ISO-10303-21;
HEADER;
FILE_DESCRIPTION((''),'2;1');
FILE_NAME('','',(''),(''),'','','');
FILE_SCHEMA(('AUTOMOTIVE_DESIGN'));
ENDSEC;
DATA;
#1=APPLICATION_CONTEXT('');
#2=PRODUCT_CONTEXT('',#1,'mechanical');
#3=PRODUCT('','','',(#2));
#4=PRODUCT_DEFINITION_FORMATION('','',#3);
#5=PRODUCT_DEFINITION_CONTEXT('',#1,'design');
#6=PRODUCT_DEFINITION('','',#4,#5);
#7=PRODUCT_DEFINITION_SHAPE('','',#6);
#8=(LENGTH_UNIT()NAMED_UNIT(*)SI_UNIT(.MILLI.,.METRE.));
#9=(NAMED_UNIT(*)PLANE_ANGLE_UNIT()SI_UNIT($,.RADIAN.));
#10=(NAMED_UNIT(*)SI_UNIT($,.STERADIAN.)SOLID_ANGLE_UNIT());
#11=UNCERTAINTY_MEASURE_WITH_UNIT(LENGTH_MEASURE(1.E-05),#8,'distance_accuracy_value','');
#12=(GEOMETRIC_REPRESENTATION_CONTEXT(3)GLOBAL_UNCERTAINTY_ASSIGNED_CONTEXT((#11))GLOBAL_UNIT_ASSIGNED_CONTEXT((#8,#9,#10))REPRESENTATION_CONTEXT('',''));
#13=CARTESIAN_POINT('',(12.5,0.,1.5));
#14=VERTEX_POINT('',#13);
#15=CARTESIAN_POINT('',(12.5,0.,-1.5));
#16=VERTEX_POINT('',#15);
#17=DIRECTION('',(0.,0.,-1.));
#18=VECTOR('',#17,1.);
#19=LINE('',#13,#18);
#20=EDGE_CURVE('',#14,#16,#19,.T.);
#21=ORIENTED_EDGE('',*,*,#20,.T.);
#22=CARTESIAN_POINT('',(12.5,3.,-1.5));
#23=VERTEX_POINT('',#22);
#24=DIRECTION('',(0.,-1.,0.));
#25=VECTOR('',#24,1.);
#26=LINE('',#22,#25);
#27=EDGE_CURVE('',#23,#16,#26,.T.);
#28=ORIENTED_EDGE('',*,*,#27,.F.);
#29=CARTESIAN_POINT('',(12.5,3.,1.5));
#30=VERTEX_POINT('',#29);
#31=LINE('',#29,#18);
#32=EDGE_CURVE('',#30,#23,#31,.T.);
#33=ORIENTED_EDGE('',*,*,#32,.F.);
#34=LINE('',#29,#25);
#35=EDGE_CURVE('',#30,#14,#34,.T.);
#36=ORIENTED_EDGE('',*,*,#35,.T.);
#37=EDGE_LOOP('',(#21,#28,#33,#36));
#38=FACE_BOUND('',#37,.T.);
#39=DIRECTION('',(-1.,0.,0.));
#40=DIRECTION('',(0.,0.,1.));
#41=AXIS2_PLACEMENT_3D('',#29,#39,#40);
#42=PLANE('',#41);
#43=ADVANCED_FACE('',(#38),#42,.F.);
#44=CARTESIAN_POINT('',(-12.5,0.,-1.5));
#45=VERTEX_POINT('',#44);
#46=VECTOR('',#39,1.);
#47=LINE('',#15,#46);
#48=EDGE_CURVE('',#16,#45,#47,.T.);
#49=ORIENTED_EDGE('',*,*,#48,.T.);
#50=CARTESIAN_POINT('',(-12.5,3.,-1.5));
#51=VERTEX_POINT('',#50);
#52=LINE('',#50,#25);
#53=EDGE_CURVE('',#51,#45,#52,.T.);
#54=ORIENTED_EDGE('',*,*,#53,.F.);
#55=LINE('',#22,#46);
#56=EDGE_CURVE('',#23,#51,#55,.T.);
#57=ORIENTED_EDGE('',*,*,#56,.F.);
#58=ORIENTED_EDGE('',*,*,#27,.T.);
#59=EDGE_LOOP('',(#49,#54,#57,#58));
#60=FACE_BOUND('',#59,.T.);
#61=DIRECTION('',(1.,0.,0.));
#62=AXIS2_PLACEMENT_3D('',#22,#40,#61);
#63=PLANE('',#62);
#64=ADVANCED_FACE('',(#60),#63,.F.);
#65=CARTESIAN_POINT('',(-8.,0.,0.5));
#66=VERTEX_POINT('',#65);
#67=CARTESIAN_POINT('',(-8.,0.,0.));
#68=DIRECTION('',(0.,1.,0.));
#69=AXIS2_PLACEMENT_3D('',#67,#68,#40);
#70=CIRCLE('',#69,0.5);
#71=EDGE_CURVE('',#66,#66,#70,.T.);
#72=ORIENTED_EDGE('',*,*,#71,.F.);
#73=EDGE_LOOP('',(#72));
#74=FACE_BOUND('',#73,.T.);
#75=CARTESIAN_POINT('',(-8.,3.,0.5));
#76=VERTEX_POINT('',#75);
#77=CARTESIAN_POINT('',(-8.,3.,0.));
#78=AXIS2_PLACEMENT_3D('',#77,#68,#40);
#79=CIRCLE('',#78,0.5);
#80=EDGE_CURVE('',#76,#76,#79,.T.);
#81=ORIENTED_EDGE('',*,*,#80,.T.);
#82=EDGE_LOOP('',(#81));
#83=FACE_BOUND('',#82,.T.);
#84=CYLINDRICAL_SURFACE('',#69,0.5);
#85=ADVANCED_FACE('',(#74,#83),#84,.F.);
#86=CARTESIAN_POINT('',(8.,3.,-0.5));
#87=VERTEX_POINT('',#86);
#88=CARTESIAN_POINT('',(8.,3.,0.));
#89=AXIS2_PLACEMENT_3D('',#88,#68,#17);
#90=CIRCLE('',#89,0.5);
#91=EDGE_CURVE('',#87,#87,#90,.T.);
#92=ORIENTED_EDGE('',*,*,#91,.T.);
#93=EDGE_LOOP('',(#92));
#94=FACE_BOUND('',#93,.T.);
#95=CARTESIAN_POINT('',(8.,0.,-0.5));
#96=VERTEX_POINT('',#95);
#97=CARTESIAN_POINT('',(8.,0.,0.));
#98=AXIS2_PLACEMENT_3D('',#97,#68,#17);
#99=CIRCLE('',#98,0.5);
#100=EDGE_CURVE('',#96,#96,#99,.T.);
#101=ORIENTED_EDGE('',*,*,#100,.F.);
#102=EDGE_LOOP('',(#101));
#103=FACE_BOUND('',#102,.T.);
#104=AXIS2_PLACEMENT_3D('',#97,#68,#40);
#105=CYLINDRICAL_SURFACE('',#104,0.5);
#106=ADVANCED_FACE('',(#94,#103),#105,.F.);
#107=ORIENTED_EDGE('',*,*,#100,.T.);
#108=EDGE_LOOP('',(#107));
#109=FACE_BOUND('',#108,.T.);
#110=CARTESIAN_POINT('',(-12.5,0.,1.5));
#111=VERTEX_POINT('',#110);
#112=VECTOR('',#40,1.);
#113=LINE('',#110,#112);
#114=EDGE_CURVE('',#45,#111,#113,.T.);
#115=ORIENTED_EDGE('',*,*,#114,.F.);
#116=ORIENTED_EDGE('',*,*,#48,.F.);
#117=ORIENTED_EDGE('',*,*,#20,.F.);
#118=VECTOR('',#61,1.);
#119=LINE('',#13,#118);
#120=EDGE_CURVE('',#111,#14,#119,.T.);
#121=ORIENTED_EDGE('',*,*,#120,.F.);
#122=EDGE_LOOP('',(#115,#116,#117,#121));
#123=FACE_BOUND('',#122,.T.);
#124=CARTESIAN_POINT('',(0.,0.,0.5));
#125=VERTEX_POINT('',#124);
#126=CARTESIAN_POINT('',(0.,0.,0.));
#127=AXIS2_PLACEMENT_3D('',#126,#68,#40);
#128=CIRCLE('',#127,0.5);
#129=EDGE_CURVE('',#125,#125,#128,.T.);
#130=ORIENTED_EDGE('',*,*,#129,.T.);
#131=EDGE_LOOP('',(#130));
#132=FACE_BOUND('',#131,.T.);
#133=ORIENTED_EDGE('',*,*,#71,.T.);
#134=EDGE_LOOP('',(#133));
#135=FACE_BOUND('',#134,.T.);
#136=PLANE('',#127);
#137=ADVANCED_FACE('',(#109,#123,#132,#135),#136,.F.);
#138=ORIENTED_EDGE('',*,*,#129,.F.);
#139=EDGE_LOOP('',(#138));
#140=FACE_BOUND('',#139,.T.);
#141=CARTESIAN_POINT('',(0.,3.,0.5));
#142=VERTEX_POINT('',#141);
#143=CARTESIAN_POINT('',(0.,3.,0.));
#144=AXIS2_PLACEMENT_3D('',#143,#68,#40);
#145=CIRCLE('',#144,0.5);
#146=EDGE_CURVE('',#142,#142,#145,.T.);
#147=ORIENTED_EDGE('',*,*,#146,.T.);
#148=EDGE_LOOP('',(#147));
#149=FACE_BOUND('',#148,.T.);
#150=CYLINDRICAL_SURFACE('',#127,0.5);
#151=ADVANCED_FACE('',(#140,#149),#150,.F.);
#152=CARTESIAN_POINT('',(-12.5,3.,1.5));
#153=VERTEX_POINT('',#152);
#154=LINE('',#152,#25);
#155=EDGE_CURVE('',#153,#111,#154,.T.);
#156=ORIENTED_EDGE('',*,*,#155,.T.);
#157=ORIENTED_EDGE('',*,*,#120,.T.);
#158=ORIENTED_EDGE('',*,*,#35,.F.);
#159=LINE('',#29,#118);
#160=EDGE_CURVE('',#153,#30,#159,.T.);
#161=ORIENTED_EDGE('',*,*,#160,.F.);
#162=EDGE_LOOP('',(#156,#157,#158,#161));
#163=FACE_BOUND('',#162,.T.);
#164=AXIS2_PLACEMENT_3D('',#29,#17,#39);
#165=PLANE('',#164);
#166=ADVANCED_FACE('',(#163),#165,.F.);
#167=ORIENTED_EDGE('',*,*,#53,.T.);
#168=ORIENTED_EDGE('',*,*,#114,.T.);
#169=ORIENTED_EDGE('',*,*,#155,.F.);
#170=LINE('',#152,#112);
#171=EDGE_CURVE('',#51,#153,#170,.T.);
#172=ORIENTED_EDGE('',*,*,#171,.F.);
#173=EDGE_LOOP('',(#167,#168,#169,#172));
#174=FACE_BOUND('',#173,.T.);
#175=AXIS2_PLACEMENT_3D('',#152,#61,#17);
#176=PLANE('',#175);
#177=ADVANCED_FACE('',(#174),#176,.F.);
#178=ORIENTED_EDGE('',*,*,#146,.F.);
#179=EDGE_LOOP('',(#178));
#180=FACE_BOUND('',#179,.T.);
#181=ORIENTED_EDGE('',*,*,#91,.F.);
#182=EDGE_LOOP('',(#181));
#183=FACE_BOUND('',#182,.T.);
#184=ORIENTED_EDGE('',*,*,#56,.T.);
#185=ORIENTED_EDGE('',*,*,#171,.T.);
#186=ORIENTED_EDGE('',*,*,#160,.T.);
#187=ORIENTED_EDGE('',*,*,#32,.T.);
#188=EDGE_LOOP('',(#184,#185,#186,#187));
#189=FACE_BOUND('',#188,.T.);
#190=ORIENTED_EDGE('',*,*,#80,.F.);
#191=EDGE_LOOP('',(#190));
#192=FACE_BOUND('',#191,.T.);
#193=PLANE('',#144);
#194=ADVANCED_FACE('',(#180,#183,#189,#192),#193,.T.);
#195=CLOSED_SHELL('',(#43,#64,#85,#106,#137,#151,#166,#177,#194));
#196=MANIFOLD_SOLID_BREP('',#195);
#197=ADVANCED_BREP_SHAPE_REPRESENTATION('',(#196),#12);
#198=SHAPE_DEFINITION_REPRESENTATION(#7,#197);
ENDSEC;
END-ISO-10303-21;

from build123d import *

# Parameters (mm, degrees)
SKETCH_1_W          = 25
SKETCH_1_H          = 3
EXTRUDE_1_DEPTH     = 3
SKETCH_2_R          = 0.5
CUT_EXTRUDE_1_DEPTH = 4


with BuildPart() as part:
    # 草图1 → 凸台-拉伸1 (new body)
    with BuildSketch(Plane(origin=(0, 0, 0), x_dir=(1, 0, 0), z_dir=(0, 1, 0))):
        Rectangle(SKETCH_1_W, SKETCH_1_H)
    extrude(amount=EXTRUDE_1_DEPTH)

    # 草图2 → 切除-拉伸1 (cut, through all)
    with BuildSketch(Plane(origin=(0, 3, 0), x_dir=(1, 0, 0), z_dir=(0, 1, 0))):
        with Locations((-8, 0)):
            Circle(SKETCH_2_R)
        Circle(SKETCH_2_R)
        with Locations((8, 0)):
            Circle(SKETCH_2_R)
    extrude(amount=-CUT_EXTRUDE_1_DEPTH, mode=Mode.SUBTRACT)


solid = part.part
